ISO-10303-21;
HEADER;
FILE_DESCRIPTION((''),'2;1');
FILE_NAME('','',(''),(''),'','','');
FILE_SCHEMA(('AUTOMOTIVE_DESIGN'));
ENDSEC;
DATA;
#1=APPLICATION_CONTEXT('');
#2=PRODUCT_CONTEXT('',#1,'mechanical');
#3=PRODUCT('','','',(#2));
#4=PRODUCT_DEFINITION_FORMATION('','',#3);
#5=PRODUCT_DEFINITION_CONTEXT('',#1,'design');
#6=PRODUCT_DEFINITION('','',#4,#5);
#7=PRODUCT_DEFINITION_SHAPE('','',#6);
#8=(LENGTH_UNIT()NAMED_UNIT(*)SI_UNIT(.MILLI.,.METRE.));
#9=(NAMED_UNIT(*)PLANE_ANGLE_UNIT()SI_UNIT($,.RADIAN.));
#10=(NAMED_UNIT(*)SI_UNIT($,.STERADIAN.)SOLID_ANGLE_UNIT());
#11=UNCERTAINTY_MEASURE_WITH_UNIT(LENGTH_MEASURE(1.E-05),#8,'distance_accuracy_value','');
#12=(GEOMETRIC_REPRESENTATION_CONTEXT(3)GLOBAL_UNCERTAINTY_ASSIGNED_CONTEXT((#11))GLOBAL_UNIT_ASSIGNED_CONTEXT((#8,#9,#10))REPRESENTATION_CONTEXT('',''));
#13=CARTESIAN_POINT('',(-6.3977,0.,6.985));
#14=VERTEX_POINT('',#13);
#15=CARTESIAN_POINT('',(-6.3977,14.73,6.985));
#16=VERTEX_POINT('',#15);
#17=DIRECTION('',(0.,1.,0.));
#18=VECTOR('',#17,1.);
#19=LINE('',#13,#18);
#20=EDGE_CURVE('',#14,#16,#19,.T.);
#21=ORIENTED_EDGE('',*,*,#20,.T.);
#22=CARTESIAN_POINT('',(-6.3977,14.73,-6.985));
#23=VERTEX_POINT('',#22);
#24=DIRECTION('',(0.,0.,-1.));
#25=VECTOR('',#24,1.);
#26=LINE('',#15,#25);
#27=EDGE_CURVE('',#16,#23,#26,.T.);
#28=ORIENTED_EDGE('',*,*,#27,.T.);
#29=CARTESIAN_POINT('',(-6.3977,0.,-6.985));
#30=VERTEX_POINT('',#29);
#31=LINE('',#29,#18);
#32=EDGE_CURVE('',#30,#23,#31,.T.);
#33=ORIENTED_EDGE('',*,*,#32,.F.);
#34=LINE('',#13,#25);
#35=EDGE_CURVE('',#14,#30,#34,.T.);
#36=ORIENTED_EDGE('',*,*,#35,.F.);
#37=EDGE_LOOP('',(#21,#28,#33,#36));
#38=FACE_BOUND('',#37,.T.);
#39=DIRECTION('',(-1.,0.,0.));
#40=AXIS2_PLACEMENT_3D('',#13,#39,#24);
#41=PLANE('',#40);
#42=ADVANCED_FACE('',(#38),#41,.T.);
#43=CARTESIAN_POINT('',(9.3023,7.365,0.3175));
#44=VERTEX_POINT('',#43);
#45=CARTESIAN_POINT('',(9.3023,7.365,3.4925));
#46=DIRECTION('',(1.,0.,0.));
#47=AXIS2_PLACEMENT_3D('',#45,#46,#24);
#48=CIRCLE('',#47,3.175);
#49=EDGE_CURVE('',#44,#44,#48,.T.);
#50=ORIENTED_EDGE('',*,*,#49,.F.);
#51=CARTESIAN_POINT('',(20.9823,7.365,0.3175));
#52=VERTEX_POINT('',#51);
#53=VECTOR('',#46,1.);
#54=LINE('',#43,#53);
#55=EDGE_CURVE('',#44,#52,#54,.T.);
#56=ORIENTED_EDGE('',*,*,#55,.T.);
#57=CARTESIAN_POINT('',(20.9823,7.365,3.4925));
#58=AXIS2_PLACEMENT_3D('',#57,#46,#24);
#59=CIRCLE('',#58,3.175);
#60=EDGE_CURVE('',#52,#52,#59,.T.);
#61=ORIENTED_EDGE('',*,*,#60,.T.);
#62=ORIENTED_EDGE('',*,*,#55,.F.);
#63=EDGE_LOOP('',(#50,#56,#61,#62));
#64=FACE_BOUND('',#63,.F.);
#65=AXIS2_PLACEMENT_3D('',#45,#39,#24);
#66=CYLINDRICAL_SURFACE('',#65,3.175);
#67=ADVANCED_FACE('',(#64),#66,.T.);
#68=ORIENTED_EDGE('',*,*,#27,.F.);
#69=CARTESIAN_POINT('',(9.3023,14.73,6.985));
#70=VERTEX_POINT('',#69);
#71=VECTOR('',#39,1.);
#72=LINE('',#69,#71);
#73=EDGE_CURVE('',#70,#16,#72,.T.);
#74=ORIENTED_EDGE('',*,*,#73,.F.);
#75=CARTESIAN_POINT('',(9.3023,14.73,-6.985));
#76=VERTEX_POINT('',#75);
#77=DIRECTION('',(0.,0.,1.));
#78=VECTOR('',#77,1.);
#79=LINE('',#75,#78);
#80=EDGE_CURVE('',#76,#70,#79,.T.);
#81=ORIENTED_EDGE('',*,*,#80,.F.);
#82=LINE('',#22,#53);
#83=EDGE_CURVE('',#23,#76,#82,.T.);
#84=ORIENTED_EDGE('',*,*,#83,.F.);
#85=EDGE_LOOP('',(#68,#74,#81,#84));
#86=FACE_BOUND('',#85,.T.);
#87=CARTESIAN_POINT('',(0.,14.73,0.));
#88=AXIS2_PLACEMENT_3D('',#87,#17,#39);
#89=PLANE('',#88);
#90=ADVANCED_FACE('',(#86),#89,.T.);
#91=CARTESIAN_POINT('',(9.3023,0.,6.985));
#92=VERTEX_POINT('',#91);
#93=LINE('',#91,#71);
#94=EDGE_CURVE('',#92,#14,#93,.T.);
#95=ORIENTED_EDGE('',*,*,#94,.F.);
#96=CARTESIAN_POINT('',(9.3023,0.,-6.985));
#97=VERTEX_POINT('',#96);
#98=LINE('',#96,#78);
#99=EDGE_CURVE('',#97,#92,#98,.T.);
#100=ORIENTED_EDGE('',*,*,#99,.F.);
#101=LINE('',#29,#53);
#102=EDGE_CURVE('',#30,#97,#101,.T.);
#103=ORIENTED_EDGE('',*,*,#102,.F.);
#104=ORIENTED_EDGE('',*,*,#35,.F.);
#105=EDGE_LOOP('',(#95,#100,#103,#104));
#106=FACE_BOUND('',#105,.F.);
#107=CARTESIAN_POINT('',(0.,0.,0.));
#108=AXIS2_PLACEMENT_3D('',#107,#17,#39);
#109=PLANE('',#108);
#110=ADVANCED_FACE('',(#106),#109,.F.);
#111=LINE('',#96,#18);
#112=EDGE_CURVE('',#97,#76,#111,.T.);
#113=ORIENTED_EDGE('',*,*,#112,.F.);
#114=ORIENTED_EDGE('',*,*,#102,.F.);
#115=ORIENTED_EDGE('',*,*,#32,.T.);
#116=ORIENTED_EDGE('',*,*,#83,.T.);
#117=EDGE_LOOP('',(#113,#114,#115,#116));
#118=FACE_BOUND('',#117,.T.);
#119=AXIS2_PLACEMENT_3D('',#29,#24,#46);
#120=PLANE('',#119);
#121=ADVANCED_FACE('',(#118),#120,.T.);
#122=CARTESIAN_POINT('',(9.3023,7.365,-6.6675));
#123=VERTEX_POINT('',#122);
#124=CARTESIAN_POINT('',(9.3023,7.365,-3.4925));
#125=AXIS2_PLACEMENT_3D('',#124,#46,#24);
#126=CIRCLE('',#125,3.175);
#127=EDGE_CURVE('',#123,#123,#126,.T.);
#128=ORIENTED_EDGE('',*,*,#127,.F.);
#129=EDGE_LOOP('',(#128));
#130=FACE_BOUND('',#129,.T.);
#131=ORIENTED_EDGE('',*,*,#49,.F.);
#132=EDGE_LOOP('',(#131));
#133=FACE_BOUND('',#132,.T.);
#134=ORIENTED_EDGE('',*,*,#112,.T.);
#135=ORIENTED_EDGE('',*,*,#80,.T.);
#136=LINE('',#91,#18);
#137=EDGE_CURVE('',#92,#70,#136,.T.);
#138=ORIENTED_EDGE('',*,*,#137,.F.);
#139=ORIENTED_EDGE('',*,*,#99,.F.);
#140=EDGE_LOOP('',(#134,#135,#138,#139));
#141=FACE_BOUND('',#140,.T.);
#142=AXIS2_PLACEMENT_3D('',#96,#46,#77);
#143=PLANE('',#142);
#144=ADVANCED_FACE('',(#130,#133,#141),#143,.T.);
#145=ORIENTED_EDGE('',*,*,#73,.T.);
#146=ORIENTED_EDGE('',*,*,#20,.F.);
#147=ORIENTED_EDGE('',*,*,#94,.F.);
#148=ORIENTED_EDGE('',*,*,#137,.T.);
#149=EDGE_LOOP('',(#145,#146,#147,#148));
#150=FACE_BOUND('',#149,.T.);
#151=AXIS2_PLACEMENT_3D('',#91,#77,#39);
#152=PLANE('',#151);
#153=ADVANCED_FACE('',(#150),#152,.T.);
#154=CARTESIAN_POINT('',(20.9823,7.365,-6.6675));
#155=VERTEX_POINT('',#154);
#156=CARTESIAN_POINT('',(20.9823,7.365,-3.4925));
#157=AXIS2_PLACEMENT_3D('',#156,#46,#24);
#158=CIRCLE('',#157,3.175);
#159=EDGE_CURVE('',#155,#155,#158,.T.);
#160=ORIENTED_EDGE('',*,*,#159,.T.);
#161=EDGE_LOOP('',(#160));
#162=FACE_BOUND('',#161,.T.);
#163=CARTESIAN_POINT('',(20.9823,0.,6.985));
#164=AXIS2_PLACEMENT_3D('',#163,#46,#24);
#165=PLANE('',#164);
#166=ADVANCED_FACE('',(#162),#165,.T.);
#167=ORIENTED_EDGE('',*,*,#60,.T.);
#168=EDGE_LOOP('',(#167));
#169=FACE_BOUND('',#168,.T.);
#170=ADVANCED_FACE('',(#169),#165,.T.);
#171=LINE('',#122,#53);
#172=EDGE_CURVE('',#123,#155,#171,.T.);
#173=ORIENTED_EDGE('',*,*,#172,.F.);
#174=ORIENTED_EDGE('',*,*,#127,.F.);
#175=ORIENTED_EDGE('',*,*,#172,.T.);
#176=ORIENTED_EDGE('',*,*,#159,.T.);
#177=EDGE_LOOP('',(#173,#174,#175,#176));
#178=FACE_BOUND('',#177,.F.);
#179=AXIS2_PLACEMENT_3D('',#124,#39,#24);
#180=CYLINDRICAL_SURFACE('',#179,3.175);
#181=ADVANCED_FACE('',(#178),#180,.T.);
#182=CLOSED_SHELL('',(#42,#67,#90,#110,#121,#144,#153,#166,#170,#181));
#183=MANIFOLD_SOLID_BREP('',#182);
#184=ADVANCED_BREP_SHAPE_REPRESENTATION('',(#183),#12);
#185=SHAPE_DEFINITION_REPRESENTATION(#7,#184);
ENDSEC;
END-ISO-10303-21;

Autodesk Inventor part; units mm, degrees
ref_plane "YZ Plane" through (0, 0, 0) normal (1, 0, 0) x (0, 1, 0)
ref_plane "XZ Plane" through (0, 0, 0) normal (0, 1, 0) x (-1, 0, 0)
ref_plane "XY Plane" through (0, 0, 0) normal (0, 0, 1) x (1, 0, 0)
sketch "Sketch1" plane through (0, 0, 0) normal (0, 1, 0) x (-1, 0, 0)
  line L0 (-9.3023, 6.985) -> (6.3977, 6.985)
  line L1 (6.3977, 6.985) -> (6.3977, -6.985)
  line L2 (6.3977, -6.985) -> (-9.3023, -6.985)
  line L3 (-9.3023, -6.985) -> (-9.3023, 6.985)
  point P0 (0, 0)
  dimension "d0" = 13.97
  dimension "d1" = 15.7
extrude "Extrusion1" add sketch "Sketch1" along normal blind 14.73
sketch "Sketch2" plane through (9.3023, 0, 6.985) normal (1, 0, 0) x (0, 0, -1)
  line L0 (13.97, 0) -> (13.97, 14.73) projected
  line L1 (0, 0) -> (0, 14.73) projected
  circle A0 centre (3.4925, 7.365) radius 3.175
  circle A1 centre (10.4775, 7.365) radius 3.175
  point P0 (6.985, 0)
  dimension "d4" = 3.4925
  dimension "d5" = 3.4925
  dimension "d6" = 6.35
  dimension "d7" = 6.35
extrude "Extrusion2" add sketch "Sketch2" along normal blind 11.68
properties part number "TE_2Pin_Male"
